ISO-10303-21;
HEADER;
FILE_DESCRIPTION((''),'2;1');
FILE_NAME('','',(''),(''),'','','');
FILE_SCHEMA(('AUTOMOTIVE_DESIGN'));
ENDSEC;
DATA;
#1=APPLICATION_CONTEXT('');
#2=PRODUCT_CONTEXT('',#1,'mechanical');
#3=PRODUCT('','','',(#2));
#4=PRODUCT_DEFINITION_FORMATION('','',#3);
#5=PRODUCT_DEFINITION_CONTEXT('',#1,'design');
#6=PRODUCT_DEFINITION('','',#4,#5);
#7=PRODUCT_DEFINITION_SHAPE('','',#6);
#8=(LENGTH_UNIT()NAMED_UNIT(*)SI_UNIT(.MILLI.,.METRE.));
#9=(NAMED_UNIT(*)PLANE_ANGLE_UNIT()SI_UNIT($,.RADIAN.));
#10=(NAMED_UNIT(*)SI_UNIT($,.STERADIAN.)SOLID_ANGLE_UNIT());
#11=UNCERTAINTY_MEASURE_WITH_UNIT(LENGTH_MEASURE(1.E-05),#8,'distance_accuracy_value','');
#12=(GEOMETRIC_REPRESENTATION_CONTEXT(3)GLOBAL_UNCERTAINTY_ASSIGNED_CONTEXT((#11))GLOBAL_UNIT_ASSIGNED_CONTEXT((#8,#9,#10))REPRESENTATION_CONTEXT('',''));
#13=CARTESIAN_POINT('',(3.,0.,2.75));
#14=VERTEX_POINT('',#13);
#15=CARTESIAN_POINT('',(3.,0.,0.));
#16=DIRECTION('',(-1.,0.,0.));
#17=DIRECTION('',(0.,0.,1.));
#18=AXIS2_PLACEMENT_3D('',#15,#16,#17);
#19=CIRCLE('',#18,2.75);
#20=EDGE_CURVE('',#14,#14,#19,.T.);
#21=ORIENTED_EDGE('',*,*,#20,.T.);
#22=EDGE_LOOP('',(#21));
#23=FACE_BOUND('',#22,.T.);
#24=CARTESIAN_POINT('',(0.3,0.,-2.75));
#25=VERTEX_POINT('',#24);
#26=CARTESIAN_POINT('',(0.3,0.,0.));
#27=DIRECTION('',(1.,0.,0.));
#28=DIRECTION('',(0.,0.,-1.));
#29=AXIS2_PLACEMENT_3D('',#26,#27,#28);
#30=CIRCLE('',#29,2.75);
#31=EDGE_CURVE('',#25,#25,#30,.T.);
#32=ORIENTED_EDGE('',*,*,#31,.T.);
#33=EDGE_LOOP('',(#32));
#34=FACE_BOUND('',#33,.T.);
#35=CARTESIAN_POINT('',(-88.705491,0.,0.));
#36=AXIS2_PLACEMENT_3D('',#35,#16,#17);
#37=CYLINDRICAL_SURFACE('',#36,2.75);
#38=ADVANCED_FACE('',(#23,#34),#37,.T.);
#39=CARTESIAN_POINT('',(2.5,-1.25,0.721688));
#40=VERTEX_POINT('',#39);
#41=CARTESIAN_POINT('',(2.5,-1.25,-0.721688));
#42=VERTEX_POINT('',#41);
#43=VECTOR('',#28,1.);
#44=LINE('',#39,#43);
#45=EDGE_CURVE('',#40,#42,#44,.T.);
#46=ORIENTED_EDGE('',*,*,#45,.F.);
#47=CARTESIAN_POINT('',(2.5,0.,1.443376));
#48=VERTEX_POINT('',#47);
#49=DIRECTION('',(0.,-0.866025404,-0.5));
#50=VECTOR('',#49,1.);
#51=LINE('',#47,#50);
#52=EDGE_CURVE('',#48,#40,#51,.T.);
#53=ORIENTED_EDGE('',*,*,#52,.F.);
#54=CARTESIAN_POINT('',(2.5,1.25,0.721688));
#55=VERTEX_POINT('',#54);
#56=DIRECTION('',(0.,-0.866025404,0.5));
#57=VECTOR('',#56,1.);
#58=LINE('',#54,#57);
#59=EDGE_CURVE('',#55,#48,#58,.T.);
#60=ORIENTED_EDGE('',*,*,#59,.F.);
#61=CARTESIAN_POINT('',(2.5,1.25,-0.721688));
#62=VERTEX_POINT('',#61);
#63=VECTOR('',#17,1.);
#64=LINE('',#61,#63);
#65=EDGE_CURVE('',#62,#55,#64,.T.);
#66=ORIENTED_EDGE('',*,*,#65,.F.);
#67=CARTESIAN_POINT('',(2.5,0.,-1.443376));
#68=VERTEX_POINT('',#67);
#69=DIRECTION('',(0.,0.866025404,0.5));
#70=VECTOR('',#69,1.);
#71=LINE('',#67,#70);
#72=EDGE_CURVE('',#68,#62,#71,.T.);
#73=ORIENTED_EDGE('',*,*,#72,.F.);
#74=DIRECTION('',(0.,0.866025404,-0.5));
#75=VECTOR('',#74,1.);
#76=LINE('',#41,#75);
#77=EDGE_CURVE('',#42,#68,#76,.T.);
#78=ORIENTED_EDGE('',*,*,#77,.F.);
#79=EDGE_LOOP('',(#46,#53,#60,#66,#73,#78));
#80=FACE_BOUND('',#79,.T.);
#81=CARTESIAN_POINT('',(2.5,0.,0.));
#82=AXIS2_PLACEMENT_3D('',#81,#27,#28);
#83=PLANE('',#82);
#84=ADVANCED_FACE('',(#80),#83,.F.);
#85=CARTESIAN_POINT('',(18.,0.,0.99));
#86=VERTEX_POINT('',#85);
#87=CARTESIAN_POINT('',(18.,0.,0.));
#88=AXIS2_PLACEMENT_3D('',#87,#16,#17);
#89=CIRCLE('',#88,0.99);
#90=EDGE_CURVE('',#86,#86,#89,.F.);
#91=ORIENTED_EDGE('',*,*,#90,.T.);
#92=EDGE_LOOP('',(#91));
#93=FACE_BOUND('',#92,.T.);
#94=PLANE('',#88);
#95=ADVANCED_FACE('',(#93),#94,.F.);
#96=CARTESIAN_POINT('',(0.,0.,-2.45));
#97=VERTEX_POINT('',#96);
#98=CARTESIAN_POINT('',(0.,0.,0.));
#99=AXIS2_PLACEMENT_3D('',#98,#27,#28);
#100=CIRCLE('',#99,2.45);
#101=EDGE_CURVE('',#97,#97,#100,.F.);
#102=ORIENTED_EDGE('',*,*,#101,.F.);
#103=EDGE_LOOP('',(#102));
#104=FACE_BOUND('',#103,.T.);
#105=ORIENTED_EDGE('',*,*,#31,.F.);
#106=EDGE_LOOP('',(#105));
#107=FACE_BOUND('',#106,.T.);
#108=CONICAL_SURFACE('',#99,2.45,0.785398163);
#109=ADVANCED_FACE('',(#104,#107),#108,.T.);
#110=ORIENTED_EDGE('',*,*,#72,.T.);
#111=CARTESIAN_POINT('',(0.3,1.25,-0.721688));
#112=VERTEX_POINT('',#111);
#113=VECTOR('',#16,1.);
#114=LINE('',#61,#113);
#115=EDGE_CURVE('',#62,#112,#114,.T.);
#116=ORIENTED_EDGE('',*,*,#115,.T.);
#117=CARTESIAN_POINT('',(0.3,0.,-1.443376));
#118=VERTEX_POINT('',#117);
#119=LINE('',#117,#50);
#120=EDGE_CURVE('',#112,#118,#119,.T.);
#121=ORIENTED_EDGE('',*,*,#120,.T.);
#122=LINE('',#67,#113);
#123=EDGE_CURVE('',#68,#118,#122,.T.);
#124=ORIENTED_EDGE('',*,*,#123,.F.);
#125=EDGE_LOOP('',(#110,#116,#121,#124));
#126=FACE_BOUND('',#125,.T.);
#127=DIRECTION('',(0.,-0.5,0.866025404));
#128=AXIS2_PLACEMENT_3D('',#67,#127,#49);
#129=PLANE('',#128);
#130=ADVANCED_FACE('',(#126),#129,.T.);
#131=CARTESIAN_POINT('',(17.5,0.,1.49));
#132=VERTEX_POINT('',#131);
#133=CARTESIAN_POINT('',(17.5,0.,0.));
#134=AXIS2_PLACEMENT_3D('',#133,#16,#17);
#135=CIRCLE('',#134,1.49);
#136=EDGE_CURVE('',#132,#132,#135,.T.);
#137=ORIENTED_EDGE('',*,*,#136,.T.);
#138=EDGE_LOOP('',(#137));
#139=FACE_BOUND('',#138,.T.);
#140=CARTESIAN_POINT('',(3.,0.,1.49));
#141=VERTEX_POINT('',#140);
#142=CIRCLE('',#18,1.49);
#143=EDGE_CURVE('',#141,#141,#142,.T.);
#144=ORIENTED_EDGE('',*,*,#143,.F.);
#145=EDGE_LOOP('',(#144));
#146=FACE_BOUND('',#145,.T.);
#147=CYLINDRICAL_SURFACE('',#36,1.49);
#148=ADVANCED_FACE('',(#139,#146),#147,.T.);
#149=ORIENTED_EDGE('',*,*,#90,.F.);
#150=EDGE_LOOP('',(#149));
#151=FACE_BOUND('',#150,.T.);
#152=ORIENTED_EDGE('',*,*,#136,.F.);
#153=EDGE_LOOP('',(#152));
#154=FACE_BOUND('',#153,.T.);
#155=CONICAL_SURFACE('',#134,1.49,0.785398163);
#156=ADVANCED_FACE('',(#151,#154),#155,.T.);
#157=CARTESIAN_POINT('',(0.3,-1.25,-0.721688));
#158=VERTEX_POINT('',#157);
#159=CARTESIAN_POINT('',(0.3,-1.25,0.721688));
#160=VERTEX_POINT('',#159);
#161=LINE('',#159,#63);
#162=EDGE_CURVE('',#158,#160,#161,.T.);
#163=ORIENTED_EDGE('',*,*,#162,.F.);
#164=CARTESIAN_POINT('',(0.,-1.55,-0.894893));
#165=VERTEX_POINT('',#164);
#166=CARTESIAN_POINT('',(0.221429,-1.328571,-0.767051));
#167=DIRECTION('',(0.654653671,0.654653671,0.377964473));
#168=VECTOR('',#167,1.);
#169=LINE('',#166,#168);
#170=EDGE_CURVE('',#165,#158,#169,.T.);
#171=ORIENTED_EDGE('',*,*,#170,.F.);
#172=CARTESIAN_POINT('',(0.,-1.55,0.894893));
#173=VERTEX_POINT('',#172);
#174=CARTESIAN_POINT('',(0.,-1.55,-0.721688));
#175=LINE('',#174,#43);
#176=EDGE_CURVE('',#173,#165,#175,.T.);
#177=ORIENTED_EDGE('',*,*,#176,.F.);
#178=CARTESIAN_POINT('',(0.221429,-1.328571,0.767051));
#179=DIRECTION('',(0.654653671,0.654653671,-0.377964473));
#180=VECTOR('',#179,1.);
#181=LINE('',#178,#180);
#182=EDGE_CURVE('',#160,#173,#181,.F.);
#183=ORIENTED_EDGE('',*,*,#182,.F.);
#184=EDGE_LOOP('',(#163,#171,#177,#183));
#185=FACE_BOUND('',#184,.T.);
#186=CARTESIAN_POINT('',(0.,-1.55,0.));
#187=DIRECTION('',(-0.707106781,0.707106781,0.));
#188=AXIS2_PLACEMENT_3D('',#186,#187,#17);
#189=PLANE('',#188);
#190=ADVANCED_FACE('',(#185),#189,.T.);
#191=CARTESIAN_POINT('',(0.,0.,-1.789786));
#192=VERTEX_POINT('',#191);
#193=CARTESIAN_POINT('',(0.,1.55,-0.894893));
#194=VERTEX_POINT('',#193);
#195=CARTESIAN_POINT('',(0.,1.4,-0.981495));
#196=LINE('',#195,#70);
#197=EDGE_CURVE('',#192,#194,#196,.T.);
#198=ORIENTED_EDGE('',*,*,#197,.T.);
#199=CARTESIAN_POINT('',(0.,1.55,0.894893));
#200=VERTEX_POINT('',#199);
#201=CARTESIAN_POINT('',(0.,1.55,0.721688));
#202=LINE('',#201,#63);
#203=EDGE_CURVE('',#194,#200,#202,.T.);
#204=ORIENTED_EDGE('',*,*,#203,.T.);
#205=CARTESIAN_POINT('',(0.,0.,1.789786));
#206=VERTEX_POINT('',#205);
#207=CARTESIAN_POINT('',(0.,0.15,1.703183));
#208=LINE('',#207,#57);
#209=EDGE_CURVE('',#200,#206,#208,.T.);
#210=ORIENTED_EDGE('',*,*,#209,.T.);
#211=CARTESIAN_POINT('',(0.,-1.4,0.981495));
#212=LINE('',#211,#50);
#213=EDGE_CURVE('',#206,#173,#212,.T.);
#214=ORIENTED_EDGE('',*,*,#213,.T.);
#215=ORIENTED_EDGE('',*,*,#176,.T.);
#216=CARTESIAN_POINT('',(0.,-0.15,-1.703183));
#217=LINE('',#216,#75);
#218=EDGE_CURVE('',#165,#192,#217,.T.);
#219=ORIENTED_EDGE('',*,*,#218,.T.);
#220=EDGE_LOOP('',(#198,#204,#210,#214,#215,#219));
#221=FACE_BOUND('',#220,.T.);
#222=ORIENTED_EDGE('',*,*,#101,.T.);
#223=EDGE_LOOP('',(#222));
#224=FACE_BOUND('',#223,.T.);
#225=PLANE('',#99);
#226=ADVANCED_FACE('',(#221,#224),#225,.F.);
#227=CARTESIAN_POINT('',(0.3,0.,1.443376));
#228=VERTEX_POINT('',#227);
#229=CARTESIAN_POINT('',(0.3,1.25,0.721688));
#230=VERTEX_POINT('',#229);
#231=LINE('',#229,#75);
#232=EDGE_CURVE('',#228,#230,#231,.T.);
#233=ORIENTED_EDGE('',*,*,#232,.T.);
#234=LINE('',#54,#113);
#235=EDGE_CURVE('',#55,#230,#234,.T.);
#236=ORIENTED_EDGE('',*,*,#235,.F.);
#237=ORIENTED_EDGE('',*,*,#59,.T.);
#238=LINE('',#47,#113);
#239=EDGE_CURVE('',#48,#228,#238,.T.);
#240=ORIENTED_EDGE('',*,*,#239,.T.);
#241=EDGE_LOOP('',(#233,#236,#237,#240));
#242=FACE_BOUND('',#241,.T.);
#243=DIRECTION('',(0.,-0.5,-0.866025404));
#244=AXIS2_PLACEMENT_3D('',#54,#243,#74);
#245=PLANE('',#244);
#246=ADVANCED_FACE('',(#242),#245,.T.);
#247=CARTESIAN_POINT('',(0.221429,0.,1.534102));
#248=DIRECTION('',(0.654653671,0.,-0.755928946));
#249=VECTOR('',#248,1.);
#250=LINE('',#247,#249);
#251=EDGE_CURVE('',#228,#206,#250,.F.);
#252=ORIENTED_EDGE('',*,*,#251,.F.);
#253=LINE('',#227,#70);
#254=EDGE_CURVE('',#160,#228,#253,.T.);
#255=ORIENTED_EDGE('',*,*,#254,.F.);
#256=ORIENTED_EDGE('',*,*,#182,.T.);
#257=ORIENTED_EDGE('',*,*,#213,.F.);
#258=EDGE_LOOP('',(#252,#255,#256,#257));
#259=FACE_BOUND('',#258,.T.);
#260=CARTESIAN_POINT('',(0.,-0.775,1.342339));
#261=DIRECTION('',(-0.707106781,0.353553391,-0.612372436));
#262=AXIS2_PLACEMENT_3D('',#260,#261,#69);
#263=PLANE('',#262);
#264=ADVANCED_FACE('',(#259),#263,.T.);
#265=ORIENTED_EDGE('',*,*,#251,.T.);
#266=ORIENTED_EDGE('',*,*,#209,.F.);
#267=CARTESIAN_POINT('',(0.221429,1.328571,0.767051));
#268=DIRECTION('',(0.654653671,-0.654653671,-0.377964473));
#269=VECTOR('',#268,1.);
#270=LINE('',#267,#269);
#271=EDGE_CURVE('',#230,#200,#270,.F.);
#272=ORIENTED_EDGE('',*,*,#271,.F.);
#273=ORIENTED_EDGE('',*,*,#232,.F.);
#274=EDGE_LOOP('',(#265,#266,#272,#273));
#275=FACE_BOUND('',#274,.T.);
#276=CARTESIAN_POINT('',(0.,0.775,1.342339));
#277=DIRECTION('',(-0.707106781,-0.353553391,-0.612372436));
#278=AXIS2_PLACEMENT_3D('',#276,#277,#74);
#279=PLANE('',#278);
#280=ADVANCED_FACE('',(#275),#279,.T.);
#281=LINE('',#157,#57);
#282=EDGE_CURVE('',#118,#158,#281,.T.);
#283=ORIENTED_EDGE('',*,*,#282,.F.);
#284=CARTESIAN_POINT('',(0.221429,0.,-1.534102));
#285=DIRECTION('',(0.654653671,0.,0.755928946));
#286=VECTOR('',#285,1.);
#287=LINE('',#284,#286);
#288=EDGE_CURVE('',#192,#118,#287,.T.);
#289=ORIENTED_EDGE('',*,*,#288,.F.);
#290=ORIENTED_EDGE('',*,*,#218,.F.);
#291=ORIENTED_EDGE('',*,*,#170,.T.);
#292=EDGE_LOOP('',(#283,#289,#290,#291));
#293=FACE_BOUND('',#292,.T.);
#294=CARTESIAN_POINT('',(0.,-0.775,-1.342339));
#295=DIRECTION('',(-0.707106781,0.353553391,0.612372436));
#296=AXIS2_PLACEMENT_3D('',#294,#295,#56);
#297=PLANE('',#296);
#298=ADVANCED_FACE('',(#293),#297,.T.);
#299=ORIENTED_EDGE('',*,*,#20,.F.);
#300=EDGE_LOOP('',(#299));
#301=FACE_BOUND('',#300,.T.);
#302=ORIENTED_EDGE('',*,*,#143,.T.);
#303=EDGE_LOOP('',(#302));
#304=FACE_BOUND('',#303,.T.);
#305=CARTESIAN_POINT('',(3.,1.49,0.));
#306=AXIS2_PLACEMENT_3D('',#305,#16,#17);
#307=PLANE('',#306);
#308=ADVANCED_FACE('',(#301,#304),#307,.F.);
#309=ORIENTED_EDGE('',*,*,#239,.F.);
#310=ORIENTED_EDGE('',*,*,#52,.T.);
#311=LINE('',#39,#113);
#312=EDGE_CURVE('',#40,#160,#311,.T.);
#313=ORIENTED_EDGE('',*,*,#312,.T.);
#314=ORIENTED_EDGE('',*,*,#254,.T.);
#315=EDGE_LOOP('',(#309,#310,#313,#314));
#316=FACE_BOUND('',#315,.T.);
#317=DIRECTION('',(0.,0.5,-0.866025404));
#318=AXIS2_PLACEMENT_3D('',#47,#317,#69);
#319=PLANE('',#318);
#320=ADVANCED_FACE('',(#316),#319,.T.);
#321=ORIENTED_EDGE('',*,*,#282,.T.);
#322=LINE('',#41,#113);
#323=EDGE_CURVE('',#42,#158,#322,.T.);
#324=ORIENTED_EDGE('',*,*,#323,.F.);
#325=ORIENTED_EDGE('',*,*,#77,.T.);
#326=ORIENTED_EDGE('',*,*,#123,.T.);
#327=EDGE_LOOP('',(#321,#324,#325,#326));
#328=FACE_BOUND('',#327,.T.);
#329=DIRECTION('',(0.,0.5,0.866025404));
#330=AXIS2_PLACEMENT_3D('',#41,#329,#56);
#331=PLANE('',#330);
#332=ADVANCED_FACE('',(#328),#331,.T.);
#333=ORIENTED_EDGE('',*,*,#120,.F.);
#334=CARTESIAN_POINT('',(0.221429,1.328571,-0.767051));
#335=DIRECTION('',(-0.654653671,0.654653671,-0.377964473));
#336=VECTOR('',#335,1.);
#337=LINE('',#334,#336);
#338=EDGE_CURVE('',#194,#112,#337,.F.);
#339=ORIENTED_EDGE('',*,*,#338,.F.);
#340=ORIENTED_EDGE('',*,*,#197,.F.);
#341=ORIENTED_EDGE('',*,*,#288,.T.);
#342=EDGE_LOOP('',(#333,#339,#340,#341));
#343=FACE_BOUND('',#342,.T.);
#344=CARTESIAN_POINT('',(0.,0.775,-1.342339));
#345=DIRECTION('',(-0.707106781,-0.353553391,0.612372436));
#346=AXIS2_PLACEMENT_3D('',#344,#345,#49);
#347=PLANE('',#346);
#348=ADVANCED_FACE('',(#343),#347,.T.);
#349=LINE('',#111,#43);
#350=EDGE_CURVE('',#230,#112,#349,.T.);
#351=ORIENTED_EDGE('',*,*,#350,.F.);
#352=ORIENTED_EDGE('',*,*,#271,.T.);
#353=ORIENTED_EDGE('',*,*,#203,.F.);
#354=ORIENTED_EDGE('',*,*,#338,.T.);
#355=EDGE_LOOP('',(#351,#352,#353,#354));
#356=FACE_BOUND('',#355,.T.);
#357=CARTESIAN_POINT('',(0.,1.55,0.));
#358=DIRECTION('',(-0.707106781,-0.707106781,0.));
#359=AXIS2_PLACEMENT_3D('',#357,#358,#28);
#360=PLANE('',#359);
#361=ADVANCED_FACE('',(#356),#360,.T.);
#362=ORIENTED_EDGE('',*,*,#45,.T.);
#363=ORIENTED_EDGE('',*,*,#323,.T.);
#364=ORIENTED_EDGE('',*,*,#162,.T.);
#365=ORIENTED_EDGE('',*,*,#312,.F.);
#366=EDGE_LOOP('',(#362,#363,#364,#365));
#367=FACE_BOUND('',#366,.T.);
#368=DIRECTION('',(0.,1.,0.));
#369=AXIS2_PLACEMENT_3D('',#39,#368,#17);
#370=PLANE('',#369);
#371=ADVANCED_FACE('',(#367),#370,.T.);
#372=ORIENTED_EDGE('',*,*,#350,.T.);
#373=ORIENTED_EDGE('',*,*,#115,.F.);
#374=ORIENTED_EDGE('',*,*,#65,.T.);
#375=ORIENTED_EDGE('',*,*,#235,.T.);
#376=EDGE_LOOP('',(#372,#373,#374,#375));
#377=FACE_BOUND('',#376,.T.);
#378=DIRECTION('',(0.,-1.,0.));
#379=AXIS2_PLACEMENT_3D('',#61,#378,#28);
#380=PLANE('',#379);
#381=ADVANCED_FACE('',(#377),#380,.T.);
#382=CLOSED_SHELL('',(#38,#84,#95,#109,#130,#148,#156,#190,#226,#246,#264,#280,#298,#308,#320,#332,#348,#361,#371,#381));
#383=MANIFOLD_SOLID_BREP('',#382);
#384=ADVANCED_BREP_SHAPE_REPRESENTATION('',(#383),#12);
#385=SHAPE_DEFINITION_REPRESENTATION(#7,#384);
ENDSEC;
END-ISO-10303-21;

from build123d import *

# Parameters (mm, degrees)
CHAMFER1_SIZE      = 0.5
CHAMFER2_SIZE      = 0.3
CUT_EXTRUDE1_DEPTH = 2.5
CHAMFER3_SIZE      = 0.3


with BuildPart() as part:
    # Sketch1 → Revolve1 (revolve)
    with BuildSketch(Plane.XY):
        Polygon((0, 0), (0, 2.75), (3, 2.75), (3, 1.49), (18, 1.49), (18, 0), align=None)
    revolve(axis=Axis((-88.705490849, 0, 0), (1, 0, 0)))

    # Chamfer1
    chamfer1_edges = [part.edges().sort_by_distance(p)[0] for p in [
        (18, -1.49, 0),
    ]]
    chamfer(chamfer1_edges, length=CHAMFER1_SIZE)

    # Chamfer2
    chamfer2_edges = [part.edges().sort_by_distance(p)[0] for p in [
        (0, -2.75, 0),
    ]]
    chamfer(chamfer2_edges, length=CHAMFER2_SIZE)

    # Sketch3 → Cut-Extrude1 (cut)
    with BuildSketch(Plane(origin=(0, 0, 0), x_dir=(0, 0, -1), z_dir=(1, 0, 0))):
        Polygon((-1.443375673, 0), (-0.721687836, -1.25), (0.721687836, -1.25), (1.443375673, 0), (0.721687836, 1.25), (-0.721687836, 1.25), align=None)
    extrude(amount=CUT_EXTRUDE1_DEPTH, mode=Mode.SUBTRACT)

    # Chamfer3
    chamfer3_edges = [part.edges().sort_by_distance(p)[0] for p in [
        (0, 0.625, 1.082531755),
        (0, -0.625, 1.082531755),
        (0, -1.25, 0),
        (0, -0.625, -1.082531755),
        (0, 0.625, -1.082531755),
        (0, 1.25, 0),
    ]]
    chamfer(chamfer3_edges, length=CHAMFER3_SIZE)


solid = part.part
